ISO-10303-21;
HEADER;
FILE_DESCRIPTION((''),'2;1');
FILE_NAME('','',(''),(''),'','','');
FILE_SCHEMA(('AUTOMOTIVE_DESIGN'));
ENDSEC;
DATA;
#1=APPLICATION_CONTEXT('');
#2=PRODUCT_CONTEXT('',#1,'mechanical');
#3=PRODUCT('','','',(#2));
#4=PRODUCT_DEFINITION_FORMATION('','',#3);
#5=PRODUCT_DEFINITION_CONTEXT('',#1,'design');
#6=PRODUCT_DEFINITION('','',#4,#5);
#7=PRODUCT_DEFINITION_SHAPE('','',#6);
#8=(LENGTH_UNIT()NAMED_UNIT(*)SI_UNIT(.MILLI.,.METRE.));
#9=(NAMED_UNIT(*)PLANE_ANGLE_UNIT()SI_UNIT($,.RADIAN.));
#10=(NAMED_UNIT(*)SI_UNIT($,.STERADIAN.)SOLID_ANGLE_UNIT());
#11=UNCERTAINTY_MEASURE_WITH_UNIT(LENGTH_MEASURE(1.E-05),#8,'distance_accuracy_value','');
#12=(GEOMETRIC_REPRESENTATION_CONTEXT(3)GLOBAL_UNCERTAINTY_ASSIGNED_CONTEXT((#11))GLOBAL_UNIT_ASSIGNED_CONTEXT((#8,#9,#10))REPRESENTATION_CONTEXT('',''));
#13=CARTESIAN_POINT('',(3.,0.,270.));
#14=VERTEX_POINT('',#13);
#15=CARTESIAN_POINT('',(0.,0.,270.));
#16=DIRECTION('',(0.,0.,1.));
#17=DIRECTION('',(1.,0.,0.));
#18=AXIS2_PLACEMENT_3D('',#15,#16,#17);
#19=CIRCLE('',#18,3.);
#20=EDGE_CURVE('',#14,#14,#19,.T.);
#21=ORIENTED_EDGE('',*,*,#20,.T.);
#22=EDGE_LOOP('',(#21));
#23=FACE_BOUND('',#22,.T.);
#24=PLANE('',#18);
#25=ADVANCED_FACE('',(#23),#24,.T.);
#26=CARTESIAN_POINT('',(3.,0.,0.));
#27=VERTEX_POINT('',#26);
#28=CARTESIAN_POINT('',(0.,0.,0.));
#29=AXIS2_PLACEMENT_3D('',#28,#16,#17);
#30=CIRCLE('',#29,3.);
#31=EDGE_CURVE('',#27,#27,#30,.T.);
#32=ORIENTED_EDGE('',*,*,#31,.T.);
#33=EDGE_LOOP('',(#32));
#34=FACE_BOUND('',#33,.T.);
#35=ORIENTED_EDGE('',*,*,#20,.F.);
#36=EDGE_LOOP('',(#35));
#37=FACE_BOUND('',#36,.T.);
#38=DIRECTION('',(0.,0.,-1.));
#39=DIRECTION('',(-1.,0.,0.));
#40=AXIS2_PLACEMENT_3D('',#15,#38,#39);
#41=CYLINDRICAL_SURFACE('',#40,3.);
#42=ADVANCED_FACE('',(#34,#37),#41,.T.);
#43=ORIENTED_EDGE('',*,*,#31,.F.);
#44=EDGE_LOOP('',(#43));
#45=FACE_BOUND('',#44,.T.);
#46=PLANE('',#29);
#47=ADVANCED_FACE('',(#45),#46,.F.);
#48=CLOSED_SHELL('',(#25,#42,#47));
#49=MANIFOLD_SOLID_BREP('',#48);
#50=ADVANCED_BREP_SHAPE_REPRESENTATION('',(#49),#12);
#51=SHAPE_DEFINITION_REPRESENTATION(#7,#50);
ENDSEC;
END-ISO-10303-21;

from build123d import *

# Parameters (mm, degrees)
SKETCH1_R           = 3
BOSS_EXTRUDE1_DEPTH = 270


with BuildPart() as part:
    # Sketch1 → Boss-Extrude1 (new body)
    with BuildSketch(Plane.XY):
        Circle(SKETCH1_R)
    extrude(amount=BOSS_EXTRUDE1_DEPTH)


solid = part.part
